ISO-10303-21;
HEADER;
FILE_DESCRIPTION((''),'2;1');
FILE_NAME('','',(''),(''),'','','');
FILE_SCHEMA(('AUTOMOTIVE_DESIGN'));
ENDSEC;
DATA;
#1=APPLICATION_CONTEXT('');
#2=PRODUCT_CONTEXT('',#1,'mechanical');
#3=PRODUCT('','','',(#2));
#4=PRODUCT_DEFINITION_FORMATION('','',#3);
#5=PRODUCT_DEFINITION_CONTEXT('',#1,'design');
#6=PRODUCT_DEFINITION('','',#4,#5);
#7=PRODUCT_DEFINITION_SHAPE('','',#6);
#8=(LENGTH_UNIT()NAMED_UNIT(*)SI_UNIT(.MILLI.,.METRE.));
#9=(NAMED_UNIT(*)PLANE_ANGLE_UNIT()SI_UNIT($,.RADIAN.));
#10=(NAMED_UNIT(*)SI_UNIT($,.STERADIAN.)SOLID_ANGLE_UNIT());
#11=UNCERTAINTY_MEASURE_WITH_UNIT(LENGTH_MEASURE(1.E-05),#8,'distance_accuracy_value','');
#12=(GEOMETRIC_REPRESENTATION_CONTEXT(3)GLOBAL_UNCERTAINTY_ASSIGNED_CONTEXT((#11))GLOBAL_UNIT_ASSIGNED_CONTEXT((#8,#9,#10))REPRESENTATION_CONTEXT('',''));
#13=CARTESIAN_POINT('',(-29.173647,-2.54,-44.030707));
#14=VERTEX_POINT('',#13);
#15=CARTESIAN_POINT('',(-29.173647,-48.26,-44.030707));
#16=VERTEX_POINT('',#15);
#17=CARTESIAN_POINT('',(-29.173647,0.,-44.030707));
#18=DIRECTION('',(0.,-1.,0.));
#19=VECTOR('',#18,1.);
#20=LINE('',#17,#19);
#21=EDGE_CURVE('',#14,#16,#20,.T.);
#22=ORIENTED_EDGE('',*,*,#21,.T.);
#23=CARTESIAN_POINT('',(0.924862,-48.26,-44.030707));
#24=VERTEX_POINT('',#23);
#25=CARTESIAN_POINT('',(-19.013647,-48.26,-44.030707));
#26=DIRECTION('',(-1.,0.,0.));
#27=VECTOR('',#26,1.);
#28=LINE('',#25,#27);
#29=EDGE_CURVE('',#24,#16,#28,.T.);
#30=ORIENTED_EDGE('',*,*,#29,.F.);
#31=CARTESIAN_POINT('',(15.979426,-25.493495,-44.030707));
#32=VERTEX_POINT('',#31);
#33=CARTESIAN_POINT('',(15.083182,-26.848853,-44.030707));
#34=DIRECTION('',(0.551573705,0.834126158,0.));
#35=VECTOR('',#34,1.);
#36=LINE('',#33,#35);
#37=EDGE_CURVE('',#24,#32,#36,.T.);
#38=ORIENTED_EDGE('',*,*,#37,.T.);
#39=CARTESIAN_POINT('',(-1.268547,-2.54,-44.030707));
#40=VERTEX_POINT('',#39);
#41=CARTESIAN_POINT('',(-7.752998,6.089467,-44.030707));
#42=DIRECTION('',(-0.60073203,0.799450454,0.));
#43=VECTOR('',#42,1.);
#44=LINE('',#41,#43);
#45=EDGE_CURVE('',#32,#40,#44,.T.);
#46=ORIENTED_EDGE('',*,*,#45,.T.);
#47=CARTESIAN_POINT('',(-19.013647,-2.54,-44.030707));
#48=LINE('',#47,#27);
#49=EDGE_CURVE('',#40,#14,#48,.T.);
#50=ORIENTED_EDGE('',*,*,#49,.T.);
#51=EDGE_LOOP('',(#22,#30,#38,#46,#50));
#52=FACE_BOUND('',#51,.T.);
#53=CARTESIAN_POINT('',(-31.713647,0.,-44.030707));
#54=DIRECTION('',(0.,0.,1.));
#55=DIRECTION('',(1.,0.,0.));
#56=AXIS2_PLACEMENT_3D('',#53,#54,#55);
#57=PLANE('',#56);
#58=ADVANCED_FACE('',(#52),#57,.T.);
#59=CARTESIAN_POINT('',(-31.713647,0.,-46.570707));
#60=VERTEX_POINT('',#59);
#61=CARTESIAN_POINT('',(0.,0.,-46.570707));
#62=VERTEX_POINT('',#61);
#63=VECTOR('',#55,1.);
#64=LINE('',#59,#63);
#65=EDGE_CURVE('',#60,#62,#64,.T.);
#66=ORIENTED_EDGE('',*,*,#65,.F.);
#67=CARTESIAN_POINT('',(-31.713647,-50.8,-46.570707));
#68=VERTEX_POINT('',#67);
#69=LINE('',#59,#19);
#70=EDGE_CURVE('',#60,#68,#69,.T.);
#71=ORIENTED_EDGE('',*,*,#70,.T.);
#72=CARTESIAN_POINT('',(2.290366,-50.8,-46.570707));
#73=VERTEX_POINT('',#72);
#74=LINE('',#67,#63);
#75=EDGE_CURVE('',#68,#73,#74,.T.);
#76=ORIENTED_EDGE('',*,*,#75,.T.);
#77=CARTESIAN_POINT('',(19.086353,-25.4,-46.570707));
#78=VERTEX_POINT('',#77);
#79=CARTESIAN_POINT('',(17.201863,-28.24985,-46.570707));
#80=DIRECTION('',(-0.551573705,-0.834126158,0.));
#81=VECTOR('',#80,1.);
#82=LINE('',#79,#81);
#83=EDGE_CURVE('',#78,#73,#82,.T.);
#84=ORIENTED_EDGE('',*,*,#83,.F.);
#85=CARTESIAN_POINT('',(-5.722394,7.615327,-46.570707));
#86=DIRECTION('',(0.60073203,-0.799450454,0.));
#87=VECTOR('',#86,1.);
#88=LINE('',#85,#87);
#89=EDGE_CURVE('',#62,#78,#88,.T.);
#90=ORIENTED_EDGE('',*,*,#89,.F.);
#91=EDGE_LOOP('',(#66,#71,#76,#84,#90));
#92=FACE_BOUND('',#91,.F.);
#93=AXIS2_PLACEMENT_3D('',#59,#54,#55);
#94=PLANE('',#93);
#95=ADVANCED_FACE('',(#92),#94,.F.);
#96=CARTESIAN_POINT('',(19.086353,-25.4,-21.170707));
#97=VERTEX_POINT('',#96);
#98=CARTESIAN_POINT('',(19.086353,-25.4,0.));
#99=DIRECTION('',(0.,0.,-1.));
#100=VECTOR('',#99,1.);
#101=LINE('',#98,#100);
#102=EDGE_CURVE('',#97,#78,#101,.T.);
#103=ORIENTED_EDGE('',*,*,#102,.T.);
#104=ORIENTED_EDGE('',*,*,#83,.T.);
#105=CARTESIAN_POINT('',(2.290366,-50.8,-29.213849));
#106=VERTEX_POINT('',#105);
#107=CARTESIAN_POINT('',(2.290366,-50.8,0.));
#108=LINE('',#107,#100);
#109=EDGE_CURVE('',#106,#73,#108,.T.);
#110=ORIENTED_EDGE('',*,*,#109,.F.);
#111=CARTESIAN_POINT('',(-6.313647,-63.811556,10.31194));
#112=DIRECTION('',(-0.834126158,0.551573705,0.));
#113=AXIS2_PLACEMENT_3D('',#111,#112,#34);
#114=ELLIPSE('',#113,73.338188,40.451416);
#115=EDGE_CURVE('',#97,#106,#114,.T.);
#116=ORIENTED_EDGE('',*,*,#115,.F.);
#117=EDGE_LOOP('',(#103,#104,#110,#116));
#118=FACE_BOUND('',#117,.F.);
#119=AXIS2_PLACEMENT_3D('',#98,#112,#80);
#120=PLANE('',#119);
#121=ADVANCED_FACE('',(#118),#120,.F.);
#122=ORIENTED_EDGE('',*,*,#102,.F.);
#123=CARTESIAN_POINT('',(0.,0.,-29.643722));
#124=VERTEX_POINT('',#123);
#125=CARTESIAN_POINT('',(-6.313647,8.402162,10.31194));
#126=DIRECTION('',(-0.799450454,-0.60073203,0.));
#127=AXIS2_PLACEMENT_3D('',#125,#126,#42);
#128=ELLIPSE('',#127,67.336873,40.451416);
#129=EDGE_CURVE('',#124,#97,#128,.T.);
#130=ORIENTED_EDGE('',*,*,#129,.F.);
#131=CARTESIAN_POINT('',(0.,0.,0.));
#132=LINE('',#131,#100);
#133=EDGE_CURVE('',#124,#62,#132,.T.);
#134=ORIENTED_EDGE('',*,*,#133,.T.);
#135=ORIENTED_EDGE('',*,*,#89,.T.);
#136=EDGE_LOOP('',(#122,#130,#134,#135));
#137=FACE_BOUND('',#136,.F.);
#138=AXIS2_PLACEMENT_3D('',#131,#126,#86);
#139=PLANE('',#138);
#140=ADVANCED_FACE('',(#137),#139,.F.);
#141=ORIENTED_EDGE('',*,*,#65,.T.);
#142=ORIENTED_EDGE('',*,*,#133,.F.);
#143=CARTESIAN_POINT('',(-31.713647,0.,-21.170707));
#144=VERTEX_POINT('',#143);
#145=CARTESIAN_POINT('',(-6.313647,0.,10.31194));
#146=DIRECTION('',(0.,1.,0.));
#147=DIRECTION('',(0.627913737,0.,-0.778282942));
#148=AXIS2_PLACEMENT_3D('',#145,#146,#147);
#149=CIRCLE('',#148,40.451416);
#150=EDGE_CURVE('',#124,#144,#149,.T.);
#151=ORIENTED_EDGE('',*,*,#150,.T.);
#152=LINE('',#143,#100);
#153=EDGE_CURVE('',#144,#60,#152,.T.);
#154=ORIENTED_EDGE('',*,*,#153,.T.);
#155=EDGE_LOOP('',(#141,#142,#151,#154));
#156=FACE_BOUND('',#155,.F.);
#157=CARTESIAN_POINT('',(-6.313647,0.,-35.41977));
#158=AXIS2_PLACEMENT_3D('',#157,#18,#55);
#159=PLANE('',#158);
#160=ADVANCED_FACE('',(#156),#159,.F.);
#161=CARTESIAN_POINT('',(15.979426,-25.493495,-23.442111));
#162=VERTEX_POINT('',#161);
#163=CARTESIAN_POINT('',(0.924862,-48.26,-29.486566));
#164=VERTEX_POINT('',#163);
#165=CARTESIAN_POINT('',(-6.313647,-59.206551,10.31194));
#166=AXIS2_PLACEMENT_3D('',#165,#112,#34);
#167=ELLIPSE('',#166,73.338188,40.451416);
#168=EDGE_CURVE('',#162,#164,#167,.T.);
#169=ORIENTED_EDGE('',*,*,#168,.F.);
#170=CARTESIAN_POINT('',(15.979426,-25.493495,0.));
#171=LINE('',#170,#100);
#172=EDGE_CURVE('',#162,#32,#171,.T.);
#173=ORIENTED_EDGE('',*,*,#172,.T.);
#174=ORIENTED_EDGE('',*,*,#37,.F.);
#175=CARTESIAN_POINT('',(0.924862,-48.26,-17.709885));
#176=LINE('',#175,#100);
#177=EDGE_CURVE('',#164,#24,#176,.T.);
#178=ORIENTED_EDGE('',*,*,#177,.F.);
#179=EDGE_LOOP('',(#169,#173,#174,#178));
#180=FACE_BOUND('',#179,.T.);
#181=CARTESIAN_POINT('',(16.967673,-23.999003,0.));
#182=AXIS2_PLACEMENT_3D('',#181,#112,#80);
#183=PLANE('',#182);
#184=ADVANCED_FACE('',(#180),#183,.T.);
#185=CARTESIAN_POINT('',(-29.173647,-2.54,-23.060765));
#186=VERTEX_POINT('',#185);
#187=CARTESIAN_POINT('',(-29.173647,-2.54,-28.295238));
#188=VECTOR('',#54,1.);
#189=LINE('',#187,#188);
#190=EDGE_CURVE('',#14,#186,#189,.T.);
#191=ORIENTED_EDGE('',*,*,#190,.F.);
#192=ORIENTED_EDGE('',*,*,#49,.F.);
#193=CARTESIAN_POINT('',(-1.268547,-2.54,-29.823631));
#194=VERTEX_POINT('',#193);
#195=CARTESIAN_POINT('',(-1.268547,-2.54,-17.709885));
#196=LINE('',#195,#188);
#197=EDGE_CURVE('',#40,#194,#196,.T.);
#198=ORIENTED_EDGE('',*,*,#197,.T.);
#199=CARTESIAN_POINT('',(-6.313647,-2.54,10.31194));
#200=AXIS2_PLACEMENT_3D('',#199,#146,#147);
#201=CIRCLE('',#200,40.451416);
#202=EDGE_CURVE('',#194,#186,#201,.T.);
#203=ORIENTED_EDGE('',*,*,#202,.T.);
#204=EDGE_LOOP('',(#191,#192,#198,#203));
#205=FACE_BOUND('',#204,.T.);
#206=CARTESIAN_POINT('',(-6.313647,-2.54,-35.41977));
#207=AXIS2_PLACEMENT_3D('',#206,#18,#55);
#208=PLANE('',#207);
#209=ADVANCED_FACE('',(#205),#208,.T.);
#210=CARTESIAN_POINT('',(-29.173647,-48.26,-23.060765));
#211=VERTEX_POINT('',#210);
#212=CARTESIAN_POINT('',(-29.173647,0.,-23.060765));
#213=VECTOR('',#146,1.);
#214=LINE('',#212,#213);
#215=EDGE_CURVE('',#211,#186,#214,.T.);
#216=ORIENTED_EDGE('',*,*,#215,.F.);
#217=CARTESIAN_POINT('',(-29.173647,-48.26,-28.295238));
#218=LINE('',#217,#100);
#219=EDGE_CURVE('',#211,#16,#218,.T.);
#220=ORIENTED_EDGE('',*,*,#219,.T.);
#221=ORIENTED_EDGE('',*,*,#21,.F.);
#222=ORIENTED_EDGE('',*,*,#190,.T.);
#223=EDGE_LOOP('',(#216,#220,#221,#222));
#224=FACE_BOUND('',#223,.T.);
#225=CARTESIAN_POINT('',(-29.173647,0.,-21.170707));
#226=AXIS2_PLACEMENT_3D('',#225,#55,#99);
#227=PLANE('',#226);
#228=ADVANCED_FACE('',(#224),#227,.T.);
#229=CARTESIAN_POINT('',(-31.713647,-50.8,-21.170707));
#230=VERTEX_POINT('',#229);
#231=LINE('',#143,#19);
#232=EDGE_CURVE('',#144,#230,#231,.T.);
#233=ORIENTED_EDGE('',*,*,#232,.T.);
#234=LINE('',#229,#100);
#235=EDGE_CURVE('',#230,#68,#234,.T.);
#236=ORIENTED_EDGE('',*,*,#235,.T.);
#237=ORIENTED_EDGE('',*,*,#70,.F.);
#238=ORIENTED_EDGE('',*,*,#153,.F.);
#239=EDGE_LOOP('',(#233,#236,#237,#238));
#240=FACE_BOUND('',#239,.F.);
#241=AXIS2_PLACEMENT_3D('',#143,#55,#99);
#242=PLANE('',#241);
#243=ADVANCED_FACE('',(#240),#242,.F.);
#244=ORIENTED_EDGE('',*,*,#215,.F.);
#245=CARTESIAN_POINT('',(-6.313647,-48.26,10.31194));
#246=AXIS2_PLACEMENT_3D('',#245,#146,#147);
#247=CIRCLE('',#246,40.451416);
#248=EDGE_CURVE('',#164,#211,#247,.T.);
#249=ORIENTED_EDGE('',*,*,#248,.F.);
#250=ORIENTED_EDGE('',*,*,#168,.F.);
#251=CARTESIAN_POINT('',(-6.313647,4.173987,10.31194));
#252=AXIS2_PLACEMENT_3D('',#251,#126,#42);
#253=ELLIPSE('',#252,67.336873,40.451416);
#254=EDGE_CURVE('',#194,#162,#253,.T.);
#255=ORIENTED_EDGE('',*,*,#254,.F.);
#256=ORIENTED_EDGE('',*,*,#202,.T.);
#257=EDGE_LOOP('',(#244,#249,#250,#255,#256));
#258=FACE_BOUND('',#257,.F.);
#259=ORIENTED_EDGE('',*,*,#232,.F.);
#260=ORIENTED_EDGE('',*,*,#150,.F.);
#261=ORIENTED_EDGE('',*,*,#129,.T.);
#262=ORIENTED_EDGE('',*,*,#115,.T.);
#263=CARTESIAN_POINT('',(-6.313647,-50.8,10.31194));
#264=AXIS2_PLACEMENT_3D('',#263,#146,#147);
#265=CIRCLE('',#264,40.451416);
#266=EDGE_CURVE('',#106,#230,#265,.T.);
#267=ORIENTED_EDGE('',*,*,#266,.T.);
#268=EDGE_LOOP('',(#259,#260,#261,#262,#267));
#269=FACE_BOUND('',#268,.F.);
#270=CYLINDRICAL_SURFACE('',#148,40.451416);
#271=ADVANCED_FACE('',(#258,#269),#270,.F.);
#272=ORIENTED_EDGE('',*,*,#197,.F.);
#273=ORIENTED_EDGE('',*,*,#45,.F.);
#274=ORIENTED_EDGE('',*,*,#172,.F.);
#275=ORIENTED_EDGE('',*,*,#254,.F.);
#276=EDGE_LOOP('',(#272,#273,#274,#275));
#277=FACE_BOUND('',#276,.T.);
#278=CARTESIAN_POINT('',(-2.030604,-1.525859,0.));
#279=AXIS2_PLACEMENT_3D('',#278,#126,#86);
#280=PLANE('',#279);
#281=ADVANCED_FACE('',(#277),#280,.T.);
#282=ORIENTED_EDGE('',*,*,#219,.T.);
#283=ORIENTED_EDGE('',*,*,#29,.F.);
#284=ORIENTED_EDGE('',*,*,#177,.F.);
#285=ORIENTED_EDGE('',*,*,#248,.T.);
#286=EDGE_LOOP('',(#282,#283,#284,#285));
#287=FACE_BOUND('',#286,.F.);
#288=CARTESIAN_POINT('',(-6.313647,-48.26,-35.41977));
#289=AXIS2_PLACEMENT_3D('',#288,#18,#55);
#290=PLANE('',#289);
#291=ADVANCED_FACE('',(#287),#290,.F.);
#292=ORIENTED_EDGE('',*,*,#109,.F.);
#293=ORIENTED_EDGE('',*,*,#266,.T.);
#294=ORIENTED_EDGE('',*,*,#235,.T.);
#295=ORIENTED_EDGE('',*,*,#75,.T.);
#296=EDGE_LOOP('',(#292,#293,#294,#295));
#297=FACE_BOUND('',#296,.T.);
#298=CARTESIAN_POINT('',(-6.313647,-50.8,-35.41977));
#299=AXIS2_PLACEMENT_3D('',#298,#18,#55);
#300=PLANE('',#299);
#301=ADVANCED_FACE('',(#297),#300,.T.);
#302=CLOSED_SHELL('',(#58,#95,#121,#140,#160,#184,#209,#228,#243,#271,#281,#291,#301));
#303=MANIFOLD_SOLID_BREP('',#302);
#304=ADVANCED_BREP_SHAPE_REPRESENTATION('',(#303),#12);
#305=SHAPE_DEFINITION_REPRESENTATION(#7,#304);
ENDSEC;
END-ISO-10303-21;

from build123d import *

# Parameters (mm, degrees)
F1_DEPTH = 50.8
F3_DEPTH = 46.571707
F4_T     = -2.54


with BuildPart() as f1:
    # F0 (on Front) → F1 (new body)
    with BuildSketch(Plane.XZ):
        with BuildLine():
            Line((-31.713647, -21.170707), (-31.713647, -46.570707))
            Line((-31.713647, -46.570707), (19.086353, -46.570707))
            Line((19.086353, -46.570707), (19.086353, -21.170707))
            ThreePointArc((19.086353, -21.170707), (-6.313647, -30.139476), (-31.713647, -21.170707))
        make_face()
    extrude(amount=F1_DEPTH)

    # F2 (on Top) → F3 (cut, through all)
    with BuildSketch(Plane.XY):
        Polygon((19.086353, -50.8), (19.086353, -25.4), (2.290366, -50.8), align=None)
        Polygon((19.086353, -25.4), (19.086353, 0), (0, 0), align=None)
    extrude(amount=-F3_DEPTH, mode=Mode.SUBTRACT)

    # F4
    f4_openings = [f1.faces().sort_by_distance(p)[0] for p in [
        (-6.313647, -25.4, -30.139476),
    ]]
    offset(amount=F4_T, openings=f4_openings)


solid = f1.part
